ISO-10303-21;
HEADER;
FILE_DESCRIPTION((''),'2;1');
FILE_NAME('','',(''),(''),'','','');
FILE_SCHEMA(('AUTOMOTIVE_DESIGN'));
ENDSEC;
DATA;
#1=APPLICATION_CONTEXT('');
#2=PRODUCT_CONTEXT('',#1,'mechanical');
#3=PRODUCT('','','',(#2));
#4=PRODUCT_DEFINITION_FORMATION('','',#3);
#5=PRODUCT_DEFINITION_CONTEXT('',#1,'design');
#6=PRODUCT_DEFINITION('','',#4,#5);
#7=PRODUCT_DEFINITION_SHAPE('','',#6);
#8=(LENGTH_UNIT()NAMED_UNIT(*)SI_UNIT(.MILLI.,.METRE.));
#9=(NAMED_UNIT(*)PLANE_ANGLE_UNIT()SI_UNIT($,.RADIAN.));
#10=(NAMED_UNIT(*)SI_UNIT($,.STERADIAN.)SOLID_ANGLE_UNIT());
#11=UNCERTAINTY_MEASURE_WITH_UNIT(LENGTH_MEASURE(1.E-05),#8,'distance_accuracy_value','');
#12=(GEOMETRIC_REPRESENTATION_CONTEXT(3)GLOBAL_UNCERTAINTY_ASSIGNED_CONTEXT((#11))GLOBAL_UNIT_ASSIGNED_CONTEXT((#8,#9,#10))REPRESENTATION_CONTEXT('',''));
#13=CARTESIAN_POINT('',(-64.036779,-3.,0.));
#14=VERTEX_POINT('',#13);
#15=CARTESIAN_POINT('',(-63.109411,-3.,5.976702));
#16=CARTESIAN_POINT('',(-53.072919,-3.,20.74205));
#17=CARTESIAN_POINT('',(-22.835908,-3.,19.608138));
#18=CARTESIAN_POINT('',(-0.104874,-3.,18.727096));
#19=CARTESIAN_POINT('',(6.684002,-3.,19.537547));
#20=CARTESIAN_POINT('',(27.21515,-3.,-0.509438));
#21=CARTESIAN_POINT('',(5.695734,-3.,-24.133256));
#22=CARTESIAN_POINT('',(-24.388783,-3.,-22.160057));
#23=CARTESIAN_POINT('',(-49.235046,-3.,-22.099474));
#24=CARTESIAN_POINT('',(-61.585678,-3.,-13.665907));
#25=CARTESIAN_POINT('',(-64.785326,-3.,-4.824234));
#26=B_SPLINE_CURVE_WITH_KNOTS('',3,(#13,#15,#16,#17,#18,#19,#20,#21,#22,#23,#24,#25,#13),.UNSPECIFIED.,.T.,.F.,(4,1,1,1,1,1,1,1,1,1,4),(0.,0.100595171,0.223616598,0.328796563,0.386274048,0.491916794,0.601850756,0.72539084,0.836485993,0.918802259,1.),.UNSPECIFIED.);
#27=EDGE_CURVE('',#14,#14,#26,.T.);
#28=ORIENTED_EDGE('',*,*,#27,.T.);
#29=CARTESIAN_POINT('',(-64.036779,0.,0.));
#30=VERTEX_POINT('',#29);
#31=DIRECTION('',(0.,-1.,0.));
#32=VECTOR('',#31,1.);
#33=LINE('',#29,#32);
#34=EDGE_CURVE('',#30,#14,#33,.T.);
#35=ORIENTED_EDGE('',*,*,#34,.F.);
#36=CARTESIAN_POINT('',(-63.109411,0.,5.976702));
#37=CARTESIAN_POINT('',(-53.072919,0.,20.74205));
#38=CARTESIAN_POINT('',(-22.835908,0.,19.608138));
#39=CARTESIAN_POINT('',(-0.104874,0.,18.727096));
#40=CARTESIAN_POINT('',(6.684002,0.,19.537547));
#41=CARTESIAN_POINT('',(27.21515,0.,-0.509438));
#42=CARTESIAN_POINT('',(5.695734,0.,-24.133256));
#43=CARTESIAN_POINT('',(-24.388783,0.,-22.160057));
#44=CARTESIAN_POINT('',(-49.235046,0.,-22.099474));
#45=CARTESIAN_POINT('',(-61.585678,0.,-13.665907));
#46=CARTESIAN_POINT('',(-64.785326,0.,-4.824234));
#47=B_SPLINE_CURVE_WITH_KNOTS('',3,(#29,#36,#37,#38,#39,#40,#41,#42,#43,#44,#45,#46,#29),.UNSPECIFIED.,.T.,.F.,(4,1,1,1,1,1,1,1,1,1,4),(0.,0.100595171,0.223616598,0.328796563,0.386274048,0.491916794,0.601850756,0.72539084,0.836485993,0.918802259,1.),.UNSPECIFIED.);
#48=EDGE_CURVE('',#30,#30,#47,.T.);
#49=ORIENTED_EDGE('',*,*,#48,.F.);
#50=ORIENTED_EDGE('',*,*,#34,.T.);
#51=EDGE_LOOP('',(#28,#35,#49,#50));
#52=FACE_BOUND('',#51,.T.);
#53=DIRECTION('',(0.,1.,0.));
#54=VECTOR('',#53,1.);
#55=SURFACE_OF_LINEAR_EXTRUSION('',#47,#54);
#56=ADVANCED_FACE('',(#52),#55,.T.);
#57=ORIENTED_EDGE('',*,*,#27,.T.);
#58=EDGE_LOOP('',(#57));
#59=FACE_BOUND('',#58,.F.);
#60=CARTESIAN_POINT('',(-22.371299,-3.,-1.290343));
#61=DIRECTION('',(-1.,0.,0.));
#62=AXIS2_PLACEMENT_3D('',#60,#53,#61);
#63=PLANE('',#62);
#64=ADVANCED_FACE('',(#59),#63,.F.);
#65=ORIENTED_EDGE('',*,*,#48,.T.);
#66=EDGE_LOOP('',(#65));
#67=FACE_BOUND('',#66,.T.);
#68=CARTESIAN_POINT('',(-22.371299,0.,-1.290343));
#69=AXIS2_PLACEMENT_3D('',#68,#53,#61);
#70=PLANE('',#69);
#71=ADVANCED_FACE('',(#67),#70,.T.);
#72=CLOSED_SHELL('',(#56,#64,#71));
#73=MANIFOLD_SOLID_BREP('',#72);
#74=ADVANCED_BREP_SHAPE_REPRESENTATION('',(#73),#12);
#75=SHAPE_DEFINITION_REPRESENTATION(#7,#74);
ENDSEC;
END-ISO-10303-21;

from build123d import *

# Parameters (mm, degrees)
F1_DEPTH = 3


with BuildPart() as f1:
    # F0 (on Front) → F1 (new body)
    with BuildSketch(Plane.XZ):
        with BuildLine():
            add(Edge.make_bspline(
                [(-64.0367791057, 0), (-63.1094110449, 5.9767019104), (-53.072919088, 20.74204971), (-22.8359081833, 19.608138423), (-0.1048737354, 18.7270964951), (6.6840022516, 19.5375468902), (27.2151497874, -0.509437853), (5.6957336521, -24.1332558244), (-24.3887829937, -22.1600567679), (-49.2350458344, -22.0994737759), (-61.5856777752, -13.6659067246), (-64.7853258869, -4.824234483), (-64.0367791057, 0)],
                knots=[0, 0, 0, 0, 0.1005951709, 0.2236165984, 0.3287965633, 0.3862740476, 0.4919167938, 0.6018507557, 0.7253908397, 0.8364859932, 0.9188022592, 1, 1, 1, 1], degree=3))
        make_face()
    extrude(amount=F1_DEPTH)


solid = f1.part
